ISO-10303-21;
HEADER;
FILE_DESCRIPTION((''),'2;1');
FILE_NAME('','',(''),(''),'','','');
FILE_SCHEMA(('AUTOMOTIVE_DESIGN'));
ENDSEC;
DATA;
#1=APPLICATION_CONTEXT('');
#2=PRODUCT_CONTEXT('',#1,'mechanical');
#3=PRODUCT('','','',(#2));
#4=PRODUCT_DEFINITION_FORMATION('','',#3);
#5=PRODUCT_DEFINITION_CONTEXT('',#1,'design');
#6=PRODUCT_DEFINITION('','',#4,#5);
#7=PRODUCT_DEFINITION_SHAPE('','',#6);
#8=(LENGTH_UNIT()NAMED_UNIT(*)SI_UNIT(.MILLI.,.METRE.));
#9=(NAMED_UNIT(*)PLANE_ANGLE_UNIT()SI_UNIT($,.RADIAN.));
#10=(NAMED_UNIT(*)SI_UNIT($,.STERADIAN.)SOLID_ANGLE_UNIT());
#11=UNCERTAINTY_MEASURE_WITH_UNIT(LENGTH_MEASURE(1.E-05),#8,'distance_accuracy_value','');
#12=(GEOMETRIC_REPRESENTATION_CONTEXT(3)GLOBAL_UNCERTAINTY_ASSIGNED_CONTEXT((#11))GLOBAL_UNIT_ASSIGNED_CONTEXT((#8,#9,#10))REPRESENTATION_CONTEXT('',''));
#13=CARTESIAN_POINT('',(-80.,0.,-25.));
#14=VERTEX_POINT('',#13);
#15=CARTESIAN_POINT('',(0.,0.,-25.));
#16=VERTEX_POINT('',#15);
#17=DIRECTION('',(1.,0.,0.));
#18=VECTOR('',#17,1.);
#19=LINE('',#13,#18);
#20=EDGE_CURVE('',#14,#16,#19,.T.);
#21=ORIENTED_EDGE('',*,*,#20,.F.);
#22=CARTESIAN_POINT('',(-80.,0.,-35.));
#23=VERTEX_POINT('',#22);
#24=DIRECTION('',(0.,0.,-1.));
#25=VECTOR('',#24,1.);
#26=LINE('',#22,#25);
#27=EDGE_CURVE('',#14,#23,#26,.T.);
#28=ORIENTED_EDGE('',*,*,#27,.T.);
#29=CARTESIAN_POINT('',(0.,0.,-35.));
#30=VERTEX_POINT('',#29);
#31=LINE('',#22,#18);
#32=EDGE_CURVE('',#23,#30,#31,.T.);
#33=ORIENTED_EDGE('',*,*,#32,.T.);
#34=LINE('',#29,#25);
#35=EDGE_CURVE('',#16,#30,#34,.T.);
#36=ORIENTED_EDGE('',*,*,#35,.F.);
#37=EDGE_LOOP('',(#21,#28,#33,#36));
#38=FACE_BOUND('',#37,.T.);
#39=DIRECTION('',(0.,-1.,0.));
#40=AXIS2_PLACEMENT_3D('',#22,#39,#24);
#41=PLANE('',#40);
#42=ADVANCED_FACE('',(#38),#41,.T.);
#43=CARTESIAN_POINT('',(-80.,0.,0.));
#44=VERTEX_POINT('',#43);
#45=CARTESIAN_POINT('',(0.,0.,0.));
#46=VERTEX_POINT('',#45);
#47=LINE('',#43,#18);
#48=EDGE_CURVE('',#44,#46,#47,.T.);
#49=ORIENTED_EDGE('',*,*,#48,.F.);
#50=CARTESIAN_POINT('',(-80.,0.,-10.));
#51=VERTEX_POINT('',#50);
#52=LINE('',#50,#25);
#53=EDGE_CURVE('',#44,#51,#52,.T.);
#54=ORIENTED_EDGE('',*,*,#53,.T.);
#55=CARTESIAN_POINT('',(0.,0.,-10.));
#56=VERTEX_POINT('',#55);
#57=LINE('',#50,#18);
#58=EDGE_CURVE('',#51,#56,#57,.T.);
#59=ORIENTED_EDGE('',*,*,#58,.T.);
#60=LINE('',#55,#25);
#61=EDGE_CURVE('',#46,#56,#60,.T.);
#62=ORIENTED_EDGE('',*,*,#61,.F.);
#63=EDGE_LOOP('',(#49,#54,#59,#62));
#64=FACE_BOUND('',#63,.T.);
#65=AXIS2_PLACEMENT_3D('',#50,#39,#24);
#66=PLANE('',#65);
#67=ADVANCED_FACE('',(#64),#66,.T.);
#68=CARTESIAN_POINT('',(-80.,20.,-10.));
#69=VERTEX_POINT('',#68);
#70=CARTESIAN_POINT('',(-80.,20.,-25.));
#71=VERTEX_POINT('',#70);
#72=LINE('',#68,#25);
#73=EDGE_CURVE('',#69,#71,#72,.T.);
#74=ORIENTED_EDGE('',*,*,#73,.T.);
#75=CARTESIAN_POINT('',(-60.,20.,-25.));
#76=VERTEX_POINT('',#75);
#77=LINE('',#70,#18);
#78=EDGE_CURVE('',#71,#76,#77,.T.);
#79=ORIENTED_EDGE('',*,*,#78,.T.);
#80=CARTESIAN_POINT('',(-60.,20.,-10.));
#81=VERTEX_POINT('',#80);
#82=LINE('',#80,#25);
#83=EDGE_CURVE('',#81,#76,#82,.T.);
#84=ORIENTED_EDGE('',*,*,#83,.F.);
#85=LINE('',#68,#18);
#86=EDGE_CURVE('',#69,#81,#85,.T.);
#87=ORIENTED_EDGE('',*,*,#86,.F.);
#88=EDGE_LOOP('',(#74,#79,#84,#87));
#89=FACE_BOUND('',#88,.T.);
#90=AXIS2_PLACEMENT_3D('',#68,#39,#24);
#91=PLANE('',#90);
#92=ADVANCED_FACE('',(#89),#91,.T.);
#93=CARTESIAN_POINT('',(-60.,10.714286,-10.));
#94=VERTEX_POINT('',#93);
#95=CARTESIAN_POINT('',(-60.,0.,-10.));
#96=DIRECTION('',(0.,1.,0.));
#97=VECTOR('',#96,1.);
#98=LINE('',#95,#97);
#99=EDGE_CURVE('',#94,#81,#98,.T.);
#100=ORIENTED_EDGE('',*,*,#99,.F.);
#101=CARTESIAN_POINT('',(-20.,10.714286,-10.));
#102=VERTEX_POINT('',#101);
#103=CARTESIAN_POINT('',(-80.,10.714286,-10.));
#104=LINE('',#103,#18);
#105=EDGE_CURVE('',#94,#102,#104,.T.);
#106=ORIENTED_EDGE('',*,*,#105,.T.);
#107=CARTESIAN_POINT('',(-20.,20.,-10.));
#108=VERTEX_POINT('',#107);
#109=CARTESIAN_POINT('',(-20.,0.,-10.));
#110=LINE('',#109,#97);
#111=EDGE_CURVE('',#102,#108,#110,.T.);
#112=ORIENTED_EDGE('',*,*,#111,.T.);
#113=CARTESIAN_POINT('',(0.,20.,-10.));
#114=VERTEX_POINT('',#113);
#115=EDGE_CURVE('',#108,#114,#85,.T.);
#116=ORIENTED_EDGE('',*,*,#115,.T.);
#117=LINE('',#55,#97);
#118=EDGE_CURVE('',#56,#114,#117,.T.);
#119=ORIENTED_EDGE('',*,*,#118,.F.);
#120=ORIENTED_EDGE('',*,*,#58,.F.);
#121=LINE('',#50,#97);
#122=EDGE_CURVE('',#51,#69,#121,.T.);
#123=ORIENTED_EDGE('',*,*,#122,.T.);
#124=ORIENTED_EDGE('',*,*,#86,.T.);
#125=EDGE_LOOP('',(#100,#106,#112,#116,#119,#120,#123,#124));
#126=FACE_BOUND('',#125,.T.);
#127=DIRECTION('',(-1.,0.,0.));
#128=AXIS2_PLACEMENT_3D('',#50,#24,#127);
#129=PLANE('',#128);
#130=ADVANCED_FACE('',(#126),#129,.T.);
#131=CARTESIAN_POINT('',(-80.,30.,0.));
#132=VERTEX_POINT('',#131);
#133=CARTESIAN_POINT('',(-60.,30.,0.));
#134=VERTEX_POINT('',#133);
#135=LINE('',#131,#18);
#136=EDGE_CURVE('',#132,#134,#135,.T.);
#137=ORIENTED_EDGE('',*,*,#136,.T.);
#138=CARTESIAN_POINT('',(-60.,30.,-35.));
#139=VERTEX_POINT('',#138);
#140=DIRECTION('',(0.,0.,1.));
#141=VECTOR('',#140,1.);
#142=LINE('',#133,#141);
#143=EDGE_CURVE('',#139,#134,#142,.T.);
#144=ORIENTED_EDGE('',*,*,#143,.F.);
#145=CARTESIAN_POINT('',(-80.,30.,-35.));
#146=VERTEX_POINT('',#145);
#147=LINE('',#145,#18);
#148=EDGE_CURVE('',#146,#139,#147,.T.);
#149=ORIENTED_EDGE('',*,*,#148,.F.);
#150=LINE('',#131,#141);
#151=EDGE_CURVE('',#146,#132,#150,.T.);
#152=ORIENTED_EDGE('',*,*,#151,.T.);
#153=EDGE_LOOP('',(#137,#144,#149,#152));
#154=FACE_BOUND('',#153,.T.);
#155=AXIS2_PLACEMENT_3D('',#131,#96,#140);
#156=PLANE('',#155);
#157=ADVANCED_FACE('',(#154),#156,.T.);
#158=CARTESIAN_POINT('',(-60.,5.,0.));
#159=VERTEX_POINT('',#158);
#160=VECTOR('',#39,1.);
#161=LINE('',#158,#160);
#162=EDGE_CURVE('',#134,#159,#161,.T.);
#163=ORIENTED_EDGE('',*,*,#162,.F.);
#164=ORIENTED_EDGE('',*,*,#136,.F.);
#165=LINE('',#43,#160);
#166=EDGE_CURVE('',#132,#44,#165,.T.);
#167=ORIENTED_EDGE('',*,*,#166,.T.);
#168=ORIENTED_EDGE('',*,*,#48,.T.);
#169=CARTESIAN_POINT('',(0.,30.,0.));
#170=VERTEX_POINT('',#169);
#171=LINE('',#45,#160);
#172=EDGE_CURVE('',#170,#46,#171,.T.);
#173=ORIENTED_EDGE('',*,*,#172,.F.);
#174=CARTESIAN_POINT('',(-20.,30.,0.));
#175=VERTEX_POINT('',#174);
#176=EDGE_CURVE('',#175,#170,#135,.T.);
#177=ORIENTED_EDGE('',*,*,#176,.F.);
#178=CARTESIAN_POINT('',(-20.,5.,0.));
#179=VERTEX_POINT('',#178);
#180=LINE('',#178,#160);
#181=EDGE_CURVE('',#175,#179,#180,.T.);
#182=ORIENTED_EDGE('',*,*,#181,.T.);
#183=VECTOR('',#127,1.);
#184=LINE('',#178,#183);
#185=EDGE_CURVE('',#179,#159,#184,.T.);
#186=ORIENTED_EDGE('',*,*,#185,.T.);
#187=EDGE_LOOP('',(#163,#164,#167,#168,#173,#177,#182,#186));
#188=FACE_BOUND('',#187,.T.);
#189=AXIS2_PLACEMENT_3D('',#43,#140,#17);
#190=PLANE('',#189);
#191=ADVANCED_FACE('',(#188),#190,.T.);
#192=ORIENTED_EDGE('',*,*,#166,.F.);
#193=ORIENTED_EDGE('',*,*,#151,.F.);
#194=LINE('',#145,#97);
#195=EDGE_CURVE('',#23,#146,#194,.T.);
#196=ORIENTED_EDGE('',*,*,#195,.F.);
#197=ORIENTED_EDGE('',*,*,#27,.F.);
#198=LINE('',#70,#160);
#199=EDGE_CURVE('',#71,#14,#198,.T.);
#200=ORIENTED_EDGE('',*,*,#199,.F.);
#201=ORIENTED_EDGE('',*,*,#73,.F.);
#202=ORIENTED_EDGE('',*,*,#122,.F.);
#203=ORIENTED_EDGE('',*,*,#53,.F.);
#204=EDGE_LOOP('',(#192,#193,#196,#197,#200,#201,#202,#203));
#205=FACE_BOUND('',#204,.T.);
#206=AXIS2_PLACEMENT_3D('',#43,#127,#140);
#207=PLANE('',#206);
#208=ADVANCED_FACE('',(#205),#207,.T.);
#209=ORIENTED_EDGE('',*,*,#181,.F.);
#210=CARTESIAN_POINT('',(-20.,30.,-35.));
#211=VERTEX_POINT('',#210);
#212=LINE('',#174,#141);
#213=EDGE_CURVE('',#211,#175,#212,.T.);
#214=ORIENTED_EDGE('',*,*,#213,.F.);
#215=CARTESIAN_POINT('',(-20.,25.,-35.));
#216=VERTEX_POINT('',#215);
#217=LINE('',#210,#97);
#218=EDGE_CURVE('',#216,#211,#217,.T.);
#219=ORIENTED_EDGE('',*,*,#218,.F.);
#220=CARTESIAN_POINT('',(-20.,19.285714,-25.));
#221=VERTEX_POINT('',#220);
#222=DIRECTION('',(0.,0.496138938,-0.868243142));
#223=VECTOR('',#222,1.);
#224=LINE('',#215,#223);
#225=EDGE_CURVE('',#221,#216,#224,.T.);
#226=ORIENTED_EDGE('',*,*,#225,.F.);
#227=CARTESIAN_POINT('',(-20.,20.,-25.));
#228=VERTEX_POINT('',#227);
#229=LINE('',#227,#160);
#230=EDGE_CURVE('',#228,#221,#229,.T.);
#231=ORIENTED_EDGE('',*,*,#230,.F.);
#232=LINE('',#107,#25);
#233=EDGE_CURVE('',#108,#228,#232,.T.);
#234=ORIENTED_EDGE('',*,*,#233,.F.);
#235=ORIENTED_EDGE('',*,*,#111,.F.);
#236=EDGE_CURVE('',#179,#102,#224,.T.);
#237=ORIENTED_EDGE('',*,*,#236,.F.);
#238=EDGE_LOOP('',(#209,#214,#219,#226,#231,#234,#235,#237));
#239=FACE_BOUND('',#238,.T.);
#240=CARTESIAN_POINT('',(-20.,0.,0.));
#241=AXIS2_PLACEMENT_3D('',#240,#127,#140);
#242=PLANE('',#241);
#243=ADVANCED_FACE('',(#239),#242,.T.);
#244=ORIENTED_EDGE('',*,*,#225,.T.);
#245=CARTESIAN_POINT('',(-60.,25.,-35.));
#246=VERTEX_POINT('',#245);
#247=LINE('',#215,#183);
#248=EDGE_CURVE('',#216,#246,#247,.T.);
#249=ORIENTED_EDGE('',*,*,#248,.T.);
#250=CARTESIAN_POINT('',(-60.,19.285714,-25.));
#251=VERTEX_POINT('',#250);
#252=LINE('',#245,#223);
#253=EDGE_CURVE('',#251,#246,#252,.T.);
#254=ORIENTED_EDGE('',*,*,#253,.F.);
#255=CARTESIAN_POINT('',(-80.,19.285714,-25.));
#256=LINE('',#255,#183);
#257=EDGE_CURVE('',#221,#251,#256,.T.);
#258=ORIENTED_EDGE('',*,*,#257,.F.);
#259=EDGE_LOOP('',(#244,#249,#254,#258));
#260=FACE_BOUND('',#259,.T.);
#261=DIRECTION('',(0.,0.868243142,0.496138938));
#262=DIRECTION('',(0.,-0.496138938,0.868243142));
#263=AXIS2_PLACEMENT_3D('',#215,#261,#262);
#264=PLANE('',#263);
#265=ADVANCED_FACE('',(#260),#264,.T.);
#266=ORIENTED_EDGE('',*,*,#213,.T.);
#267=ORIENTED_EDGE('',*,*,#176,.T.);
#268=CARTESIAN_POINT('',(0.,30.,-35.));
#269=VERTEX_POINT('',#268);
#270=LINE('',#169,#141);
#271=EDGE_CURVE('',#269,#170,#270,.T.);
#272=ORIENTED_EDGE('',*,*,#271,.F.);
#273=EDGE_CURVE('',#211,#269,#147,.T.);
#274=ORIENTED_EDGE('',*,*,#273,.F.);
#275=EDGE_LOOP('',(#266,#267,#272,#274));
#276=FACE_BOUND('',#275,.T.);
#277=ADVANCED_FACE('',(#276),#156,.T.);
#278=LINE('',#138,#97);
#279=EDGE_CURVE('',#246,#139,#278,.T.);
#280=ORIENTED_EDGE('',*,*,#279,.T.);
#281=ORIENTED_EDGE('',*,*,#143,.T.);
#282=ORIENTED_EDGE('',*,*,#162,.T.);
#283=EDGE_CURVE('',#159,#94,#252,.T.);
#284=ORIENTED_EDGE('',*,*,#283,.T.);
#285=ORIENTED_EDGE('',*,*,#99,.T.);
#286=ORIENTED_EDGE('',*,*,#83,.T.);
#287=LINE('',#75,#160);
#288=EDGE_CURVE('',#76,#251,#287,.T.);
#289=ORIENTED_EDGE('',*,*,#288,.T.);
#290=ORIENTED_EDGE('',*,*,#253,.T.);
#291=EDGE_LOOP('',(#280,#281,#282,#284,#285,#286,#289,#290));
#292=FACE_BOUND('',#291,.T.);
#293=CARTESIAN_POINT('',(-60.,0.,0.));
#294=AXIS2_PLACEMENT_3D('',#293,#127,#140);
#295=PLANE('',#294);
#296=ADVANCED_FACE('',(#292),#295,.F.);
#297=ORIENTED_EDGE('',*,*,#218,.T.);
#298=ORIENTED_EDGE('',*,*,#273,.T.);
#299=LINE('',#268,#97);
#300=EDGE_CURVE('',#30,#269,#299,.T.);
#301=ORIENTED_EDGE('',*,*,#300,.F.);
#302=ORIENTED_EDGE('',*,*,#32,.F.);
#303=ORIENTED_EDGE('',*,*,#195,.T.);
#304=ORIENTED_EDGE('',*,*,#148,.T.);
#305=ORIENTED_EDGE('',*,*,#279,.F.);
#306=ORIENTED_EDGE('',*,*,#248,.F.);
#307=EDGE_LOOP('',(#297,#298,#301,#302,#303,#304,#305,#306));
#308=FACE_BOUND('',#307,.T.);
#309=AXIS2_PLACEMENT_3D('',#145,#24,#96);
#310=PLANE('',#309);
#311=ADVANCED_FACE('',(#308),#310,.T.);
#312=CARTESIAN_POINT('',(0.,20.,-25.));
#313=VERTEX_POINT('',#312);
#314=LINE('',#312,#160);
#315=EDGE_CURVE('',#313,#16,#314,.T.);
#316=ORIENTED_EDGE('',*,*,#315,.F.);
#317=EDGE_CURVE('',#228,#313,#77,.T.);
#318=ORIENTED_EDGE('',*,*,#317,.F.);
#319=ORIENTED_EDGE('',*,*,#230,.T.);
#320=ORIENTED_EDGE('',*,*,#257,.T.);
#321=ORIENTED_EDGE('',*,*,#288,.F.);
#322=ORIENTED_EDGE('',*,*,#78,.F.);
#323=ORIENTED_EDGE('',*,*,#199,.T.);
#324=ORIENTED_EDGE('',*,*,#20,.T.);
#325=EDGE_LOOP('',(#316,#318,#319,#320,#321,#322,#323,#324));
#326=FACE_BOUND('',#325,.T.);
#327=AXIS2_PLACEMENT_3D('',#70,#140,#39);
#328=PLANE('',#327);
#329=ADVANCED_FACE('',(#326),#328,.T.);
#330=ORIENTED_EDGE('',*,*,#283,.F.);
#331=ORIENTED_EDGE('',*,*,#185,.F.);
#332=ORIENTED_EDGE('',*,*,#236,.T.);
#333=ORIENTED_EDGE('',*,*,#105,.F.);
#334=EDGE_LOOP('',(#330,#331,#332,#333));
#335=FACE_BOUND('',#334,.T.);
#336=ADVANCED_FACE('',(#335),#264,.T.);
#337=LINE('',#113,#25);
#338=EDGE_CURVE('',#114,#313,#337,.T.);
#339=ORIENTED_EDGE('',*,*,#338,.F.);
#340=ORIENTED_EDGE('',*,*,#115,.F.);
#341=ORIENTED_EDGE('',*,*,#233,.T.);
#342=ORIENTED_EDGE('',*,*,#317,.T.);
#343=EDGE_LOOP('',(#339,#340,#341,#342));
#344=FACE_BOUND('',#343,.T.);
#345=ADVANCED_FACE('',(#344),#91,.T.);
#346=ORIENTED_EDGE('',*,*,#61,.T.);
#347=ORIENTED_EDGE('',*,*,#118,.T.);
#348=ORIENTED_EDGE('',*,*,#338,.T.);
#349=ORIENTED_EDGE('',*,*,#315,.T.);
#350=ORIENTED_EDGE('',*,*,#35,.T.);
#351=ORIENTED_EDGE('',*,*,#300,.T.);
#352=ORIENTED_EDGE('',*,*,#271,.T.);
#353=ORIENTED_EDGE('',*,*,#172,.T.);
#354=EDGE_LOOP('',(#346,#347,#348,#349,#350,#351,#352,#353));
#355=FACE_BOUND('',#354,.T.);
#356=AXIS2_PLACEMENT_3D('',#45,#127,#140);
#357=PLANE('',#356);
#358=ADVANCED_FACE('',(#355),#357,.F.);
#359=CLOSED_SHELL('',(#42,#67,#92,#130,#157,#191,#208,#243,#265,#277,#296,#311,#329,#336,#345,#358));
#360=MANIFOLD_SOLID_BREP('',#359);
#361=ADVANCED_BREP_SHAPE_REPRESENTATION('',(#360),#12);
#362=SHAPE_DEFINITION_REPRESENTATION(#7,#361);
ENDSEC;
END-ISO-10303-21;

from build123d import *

# Parameters (mm, degrees)
BOSS_EXTRUDE1_DEPTH     = 80
CUT_EXTRUDE1_START      = -40
CUT_EXTRUDE1_DEPTH      = 20
CUT_EXTRUDE1_DEPTH_BACK = 20


with BuildPart() as part:
    # Sketch1 → Boss-Extrude1 (new body)
    with BuildSketch(Plane(origin=(0, 0, 0), x_dir=(0, 0, -1), z_dir=(1, 0, 0))):
        Polygon((0, 0), (0, 30), (35, 30), (35, 0), (25, 0), (25, 20), (10, 20), (10, 0), align=None)
    extrude(amount=-BOSS_EXTRUDE1_DEPTH)

    # Sketch2 → Cut-Extrude1 (cut, two sides)
    with BuildSketch(Plane(origin=(0, 0, 0), x_dir=(0, 0, -1), z_dir=(1, 0, 0)).offset(CUT_EXTRUDE1_START)) as cut_extrude1_sk:
        Polygon((35, 30), (35, 25), (0, 5), (0, 30), align=None)
    extrude(amount=CUT_EXTRUDE1_DEPTH, mode=Mode.SUBTRACT)
    extrude(cut_extrude1_sk.sketch, amount=-CUT_EXTRUDE1_DEPTH_BACK, mode=Mode.SUBTRACT)


solid = part.part
